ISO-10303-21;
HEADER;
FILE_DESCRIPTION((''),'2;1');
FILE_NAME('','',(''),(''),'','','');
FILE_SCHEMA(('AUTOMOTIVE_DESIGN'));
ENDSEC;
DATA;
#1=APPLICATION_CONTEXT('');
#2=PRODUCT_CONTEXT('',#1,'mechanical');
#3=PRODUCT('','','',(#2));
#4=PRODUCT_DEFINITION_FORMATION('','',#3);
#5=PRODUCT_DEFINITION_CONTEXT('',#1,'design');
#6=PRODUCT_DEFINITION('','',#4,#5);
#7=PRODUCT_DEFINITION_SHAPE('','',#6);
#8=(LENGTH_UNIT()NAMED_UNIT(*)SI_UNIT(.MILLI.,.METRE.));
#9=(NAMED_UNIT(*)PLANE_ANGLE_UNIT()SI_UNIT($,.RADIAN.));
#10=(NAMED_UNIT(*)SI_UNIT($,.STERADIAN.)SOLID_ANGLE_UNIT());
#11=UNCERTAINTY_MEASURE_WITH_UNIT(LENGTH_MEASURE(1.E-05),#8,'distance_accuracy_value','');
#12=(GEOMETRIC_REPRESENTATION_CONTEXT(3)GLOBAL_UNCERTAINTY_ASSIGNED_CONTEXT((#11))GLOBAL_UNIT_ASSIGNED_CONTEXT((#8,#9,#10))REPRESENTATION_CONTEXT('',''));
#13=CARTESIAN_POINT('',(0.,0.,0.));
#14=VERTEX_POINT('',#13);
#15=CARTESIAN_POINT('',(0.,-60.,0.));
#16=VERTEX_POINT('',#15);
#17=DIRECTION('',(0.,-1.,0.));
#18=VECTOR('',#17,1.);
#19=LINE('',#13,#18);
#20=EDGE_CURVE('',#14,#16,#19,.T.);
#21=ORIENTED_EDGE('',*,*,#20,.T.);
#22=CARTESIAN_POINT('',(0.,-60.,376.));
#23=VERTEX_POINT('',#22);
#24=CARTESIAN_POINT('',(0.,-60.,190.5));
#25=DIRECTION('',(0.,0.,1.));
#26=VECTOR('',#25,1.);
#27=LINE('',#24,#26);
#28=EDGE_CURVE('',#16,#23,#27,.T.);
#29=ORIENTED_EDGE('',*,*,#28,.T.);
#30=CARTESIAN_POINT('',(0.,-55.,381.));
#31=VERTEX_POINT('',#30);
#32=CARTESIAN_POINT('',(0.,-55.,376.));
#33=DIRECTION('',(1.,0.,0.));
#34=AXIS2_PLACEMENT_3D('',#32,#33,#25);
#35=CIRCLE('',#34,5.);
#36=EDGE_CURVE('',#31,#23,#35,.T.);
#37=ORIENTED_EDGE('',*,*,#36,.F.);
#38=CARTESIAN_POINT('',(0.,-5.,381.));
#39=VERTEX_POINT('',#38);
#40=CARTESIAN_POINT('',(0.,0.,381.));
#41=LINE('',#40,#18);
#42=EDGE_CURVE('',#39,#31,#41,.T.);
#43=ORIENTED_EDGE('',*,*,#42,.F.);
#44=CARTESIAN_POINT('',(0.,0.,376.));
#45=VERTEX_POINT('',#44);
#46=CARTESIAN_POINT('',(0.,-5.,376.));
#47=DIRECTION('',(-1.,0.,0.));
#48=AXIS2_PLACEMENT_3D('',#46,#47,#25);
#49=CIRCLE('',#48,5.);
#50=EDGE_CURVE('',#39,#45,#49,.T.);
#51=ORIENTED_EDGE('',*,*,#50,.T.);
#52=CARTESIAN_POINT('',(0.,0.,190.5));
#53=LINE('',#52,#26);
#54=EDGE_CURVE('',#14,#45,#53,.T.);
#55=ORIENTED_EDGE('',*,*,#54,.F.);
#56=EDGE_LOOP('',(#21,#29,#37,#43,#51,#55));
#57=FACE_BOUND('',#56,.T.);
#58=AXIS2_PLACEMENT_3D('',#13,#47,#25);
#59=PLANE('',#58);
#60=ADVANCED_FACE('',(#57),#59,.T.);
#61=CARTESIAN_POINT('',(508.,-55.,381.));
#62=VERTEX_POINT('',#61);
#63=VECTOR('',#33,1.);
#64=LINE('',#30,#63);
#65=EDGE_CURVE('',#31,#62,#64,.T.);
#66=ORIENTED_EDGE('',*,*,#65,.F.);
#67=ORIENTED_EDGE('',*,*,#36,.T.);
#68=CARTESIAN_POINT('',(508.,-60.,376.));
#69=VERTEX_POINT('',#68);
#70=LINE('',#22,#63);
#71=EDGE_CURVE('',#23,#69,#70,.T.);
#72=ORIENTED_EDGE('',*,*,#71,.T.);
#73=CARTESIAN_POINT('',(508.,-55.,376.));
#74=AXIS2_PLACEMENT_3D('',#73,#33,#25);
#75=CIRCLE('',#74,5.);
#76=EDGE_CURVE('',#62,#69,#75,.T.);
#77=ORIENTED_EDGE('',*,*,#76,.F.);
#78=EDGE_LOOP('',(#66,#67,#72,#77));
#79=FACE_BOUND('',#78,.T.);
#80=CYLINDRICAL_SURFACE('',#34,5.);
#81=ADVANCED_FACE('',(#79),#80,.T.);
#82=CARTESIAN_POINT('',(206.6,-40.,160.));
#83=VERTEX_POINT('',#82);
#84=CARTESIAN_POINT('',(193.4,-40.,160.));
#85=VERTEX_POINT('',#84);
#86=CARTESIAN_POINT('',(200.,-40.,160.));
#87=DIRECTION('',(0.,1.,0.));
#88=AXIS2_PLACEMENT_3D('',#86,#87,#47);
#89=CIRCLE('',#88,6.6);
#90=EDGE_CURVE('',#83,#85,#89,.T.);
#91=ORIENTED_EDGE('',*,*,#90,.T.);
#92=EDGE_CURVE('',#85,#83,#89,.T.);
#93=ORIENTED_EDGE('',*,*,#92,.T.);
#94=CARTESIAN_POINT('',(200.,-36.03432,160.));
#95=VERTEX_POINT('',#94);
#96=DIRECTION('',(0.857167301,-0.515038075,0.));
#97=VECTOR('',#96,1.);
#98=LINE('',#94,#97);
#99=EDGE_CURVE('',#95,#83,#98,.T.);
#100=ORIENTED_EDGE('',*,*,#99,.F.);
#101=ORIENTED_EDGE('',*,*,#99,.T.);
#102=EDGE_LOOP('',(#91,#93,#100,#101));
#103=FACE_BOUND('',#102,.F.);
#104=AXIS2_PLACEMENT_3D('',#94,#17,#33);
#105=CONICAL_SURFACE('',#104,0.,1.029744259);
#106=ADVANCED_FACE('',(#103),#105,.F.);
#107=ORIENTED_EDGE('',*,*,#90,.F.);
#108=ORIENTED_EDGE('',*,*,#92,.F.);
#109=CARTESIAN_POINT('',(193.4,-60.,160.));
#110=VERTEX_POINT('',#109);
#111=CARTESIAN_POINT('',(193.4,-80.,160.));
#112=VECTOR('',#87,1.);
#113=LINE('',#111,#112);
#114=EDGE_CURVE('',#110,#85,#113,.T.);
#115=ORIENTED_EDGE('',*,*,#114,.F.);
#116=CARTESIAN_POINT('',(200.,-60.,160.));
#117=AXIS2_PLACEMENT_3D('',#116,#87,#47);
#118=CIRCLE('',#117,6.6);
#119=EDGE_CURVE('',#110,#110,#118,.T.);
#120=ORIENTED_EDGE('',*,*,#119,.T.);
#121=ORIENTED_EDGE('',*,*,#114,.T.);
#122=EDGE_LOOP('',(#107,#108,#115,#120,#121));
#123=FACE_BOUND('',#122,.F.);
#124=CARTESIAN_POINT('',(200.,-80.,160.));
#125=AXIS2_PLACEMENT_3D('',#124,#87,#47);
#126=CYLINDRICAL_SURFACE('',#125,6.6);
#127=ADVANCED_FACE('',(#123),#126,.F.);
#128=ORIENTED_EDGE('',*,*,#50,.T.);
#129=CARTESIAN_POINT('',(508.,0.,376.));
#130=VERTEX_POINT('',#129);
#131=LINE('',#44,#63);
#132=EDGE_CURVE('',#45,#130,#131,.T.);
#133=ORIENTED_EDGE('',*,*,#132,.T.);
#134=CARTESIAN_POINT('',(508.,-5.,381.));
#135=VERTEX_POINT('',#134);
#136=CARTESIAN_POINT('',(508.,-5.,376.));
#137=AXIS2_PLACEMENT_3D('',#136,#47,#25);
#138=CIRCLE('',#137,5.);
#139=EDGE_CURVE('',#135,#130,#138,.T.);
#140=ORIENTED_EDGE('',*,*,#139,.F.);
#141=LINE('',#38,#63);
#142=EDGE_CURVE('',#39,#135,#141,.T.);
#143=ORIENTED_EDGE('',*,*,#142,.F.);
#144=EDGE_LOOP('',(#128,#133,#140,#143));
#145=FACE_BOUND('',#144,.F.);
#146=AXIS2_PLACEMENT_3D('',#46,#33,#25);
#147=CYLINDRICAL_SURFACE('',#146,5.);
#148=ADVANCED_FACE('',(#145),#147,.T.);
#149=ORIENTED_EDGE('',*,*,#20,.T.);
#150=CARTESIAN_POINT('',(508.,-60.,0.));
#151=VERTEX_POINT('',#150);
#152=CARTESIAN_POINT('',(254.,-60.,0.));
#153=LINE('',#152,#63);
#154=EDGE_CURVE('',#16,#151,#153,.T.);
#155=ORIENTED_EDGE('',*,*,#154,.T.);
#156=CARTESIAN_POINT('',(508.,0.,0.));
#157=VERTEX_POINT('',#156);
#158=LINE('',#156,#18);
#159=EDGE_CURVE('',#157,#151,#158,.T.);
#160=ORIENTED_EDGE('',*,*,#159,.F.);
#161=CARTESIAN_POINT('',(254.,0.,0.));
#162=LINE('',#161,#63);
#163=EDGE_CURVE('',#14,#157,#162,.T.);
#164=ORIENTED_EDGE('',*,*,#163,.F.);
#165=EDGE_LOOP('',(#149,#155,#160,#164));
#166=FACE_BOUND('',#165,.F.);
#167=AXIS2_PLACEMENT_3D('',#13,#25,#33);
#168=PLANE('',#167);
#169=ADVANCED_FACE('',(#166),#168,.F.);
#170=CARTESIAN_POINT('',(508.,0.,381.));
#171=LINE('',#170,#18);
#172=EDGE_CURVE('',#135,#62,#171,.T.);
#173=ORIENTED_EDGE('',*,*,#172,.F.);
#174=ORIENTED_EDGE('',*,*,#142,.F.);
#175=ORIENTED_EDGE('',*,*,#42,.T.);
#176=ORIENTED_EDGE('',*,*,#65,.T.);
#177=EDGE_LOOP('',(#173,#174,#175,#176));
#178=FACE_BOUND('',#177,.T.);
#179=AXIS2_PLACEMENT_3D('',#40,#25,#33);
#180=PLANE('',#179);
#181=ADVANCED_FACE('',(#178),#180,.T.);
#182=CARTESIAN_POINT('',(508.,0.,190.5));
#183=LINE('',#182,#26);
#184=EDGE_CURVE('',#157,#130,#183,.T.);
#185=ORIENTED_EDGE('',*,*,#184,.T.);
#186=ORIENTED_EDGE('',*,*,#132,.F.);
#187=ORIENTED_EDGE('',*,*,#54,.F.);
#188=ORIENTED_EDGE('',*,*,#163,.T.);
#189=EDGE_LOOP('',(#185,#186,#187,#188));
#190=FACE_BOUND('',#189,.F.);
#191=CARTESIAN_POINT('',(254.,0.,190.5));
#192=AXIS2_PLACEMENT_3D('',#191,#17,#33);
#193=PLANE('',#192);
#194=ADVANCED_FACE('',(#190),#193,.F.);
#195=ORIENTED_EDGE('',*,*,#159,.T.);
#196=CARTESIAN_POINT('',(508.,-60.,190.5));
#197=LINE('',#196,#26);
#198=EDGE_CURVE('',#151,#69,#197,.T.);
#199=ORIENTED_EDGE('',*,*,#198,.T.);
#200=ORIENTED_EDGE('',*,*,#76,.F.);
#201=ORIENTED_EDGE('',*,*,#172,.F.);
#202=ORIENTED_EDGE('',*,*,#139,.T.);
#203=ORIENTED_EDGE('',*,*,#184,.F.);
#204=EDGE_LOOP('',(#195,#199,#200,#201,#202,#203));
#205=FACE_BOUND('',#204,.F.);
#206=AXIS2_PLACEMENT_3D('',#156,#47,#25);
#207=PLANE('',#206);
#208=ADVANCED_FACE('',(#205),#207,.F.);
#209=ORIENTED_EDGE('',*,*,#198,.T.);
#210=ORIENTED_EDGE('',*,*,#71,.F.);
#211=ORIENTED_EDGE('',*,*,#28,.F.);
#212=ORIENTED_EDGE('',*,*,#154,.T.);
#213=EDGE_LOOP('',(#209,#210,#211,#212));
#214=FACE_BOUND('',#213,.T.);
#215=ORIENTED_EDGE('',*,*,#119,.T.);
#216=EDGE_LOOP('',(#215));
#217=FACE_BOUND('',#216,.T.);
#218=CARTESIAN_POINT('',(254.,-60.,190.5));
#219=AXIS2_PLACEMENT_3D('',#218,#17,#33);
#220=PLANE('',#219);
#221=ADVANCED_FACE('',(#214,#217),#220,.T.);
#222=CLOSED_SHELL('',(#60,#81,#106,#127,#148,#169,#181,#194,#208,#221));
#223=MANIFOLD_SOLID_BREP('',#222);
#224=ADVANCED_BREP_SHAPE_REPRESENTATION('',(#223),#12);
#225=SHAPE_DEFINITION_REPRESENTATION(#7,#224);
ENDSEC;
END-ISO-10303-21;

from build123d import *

# Parameters (mm, degrees)
F0_W     = 508
F0_H     = 381
F1_DEPTH = 60
F3_D     = 13.2
F3_DEPTH = 20
F3_TIP   = 3.9656800856
F4_R     = 5


with BuildPart() as f1:
    # F0 (on Front) → F1 (new body)
    with BuildSketch(Plane.XZ):
        with Locations((254, 190.5)):
            Rectangle(F0_W, F0_H)
    extrude(amount=F1_DEPTH)

    # F3
    with Locations(Plane.XZ.offset(60)):
        with Locations((200, 160)):
            Hole(F3_D / 2, depth=F3_DEPTH)
            with Locations((0, 0, -(F3_DEPTH + F3_TIP / 2))):  # 118° drill point
                Cone(0, F3_D / 2, F3_TIP, mode=Mode.SUBTRACT)

    # F4
    f4_edges = [f1.edges().sort_by_distance(p)[0] for p in [
        (254, -60, 381),
        (254, 0, 381),
    ]]
    fillet(f4_edges, radius=F4_R)


solid = f1.part
